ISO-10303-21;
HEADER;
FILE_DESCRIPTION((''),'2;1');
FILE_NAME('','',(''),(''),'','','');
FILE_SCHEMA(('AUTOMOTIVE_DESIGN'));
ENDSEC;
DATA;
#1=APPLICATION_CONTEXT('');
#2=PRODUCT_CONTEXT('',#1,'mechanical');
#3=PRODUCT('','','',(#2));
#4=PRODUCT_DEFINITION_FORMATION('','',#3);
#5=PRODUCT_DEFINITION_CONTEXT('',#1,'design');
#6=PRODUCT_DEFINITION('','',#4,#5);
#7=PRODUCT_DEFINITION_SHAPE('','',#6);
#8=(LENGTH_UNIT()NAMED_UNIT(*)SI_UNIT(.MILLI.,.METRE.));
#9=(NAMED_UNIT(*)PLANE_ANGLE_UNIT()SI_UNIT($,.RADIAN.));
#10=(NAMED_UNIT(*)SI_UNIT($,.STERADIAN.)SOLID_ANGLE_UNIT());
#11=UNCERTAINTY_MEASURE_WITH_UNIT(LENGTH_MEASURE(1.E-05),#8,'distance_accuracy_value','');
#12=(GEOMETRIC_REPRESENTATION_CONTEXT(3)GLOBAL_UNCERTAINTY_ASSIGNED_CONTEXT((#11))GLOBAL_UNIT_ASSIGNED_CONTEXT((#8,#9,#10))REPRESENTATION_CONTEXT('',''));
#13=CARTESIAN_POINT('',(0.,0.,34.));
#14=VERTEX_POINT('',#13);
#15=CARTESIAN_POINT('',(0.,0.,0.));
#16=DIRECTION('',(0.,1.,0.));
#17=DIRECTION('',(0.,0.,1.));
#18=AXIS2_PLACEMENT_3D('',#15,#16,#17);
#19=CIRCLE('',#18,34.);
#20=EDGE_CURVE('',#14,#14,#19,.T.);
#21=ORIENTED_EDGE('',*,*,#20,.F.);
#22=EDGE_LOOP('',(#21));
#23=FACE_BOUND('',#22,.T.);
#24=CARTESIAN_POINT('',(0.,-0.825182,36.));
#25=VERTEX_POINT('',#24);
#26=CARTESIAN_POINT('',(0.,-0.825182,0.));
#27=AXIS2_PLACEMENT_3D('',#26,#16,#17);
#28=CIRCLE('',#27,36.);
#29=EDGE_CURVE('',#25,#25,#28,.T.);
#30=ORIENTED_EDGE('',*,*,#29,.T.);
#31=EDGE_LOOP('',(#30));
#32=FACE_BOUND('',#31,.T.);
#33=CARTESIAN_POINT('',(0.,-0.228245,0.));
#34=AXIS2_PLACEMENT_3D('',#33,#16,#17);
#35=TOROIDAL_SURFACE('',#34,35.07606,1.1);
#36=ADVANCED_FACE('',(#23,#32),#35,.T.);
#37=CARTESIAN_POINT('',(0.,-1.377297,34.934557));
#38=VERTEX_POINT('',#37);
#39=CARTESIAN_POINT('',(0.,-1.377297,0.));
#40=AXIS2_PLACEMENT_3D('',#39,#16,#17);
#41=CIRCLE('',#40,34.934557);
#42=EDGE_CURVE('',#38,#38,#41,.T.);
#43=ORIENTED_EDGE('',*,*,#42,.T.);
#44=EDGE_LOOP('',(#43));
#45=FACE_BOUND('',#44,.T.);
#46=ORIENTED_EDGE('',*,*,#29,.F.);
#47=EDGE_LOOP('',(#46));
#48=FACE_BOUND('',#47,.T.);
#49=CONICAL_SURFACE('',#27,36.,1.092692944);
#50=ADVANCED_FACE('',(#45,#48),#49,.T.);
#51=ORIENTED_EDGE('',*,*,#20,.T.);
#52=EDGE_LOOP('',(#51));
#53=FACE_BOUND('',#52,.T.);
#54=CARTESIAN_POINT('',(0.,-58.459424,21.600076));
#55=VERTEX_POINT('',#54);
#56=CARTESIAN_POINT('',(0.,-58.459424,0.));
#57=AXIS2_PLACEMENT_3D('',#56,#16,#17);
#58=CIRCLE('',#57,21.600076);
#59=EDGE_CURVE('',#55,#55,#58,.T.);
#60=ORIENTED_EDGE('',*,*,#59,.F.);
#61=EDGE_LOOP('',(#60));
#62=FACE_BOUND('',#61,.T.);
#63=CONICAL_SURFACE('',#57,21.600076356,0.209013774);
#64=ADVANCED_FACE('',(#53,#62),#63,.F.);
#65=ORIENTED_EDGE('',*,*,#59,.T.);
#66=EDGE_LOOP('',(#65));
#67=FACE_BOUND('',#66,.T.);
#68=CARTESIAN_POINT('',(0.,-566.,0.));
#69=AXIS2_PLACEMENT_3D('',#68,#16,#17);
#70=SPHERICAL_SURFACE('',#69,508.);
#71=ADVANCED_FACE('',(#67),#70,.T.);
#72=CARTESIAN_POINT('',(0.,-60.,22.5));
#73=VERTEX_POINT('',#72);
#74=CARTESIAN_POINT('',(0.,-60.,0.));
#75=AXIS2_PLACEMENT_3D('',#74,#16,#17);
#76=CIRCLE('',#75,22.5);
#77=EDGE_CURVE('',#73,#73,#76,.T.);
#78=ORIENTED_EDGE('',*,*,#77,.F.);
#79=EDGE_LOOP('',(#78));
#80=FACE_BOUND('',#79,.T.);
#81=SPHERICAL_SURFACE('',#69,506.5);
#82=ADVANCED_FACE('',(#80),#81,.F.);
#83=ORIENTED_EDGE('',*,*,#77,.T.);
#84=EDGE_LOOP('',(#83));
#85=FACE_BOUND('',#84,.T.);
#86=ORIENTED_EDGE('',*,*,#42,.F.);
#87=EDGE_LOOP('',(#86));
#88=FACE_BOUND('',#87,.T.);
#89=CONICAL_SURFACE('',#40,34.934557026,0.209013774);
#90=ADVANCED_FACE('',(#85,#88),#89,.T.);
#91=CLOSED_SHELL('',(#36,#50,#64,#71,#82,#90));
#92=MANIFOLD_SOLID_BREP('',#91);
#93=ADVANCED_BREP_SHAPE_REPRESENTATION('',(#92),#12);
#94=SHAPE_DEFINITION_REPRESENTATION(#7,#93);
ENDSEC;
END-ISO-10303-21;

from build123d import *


with BuildPart() as part:
    # Sketch1 → Revolve1 (revolve)
    with BuildSketch(Plane(origin=(0, 0, 0), x_dir=(0, 0, -1), z_dir=(1, 0, 0))):
        with BuildLine():
            Line((-34, 0), (-21.600076356, -58.459423591))
            ThreePointArc((-21.600076356, -58.459423591), (-10.802480834, -58.114868885), (0, -58))
            Line((0, -58), (0, -59.5))
            ThreePointArc((0, -59.5), (-11.252777435, -59.625015428), (-22.5, -60))
            Line((-22.5, -60), (-34.934557026, -1.377297375))
            Line((-34.934557026, -1.377297375), (-36, -0.825182107))
            ThreePointArc((-36, -0.825182107), (-35.495602769, 0.788605057), (-34, 0))
        make_face()
    revolve(axis=Axis((0, 0, 0), (0, -1, 0)))


solid = part.part
